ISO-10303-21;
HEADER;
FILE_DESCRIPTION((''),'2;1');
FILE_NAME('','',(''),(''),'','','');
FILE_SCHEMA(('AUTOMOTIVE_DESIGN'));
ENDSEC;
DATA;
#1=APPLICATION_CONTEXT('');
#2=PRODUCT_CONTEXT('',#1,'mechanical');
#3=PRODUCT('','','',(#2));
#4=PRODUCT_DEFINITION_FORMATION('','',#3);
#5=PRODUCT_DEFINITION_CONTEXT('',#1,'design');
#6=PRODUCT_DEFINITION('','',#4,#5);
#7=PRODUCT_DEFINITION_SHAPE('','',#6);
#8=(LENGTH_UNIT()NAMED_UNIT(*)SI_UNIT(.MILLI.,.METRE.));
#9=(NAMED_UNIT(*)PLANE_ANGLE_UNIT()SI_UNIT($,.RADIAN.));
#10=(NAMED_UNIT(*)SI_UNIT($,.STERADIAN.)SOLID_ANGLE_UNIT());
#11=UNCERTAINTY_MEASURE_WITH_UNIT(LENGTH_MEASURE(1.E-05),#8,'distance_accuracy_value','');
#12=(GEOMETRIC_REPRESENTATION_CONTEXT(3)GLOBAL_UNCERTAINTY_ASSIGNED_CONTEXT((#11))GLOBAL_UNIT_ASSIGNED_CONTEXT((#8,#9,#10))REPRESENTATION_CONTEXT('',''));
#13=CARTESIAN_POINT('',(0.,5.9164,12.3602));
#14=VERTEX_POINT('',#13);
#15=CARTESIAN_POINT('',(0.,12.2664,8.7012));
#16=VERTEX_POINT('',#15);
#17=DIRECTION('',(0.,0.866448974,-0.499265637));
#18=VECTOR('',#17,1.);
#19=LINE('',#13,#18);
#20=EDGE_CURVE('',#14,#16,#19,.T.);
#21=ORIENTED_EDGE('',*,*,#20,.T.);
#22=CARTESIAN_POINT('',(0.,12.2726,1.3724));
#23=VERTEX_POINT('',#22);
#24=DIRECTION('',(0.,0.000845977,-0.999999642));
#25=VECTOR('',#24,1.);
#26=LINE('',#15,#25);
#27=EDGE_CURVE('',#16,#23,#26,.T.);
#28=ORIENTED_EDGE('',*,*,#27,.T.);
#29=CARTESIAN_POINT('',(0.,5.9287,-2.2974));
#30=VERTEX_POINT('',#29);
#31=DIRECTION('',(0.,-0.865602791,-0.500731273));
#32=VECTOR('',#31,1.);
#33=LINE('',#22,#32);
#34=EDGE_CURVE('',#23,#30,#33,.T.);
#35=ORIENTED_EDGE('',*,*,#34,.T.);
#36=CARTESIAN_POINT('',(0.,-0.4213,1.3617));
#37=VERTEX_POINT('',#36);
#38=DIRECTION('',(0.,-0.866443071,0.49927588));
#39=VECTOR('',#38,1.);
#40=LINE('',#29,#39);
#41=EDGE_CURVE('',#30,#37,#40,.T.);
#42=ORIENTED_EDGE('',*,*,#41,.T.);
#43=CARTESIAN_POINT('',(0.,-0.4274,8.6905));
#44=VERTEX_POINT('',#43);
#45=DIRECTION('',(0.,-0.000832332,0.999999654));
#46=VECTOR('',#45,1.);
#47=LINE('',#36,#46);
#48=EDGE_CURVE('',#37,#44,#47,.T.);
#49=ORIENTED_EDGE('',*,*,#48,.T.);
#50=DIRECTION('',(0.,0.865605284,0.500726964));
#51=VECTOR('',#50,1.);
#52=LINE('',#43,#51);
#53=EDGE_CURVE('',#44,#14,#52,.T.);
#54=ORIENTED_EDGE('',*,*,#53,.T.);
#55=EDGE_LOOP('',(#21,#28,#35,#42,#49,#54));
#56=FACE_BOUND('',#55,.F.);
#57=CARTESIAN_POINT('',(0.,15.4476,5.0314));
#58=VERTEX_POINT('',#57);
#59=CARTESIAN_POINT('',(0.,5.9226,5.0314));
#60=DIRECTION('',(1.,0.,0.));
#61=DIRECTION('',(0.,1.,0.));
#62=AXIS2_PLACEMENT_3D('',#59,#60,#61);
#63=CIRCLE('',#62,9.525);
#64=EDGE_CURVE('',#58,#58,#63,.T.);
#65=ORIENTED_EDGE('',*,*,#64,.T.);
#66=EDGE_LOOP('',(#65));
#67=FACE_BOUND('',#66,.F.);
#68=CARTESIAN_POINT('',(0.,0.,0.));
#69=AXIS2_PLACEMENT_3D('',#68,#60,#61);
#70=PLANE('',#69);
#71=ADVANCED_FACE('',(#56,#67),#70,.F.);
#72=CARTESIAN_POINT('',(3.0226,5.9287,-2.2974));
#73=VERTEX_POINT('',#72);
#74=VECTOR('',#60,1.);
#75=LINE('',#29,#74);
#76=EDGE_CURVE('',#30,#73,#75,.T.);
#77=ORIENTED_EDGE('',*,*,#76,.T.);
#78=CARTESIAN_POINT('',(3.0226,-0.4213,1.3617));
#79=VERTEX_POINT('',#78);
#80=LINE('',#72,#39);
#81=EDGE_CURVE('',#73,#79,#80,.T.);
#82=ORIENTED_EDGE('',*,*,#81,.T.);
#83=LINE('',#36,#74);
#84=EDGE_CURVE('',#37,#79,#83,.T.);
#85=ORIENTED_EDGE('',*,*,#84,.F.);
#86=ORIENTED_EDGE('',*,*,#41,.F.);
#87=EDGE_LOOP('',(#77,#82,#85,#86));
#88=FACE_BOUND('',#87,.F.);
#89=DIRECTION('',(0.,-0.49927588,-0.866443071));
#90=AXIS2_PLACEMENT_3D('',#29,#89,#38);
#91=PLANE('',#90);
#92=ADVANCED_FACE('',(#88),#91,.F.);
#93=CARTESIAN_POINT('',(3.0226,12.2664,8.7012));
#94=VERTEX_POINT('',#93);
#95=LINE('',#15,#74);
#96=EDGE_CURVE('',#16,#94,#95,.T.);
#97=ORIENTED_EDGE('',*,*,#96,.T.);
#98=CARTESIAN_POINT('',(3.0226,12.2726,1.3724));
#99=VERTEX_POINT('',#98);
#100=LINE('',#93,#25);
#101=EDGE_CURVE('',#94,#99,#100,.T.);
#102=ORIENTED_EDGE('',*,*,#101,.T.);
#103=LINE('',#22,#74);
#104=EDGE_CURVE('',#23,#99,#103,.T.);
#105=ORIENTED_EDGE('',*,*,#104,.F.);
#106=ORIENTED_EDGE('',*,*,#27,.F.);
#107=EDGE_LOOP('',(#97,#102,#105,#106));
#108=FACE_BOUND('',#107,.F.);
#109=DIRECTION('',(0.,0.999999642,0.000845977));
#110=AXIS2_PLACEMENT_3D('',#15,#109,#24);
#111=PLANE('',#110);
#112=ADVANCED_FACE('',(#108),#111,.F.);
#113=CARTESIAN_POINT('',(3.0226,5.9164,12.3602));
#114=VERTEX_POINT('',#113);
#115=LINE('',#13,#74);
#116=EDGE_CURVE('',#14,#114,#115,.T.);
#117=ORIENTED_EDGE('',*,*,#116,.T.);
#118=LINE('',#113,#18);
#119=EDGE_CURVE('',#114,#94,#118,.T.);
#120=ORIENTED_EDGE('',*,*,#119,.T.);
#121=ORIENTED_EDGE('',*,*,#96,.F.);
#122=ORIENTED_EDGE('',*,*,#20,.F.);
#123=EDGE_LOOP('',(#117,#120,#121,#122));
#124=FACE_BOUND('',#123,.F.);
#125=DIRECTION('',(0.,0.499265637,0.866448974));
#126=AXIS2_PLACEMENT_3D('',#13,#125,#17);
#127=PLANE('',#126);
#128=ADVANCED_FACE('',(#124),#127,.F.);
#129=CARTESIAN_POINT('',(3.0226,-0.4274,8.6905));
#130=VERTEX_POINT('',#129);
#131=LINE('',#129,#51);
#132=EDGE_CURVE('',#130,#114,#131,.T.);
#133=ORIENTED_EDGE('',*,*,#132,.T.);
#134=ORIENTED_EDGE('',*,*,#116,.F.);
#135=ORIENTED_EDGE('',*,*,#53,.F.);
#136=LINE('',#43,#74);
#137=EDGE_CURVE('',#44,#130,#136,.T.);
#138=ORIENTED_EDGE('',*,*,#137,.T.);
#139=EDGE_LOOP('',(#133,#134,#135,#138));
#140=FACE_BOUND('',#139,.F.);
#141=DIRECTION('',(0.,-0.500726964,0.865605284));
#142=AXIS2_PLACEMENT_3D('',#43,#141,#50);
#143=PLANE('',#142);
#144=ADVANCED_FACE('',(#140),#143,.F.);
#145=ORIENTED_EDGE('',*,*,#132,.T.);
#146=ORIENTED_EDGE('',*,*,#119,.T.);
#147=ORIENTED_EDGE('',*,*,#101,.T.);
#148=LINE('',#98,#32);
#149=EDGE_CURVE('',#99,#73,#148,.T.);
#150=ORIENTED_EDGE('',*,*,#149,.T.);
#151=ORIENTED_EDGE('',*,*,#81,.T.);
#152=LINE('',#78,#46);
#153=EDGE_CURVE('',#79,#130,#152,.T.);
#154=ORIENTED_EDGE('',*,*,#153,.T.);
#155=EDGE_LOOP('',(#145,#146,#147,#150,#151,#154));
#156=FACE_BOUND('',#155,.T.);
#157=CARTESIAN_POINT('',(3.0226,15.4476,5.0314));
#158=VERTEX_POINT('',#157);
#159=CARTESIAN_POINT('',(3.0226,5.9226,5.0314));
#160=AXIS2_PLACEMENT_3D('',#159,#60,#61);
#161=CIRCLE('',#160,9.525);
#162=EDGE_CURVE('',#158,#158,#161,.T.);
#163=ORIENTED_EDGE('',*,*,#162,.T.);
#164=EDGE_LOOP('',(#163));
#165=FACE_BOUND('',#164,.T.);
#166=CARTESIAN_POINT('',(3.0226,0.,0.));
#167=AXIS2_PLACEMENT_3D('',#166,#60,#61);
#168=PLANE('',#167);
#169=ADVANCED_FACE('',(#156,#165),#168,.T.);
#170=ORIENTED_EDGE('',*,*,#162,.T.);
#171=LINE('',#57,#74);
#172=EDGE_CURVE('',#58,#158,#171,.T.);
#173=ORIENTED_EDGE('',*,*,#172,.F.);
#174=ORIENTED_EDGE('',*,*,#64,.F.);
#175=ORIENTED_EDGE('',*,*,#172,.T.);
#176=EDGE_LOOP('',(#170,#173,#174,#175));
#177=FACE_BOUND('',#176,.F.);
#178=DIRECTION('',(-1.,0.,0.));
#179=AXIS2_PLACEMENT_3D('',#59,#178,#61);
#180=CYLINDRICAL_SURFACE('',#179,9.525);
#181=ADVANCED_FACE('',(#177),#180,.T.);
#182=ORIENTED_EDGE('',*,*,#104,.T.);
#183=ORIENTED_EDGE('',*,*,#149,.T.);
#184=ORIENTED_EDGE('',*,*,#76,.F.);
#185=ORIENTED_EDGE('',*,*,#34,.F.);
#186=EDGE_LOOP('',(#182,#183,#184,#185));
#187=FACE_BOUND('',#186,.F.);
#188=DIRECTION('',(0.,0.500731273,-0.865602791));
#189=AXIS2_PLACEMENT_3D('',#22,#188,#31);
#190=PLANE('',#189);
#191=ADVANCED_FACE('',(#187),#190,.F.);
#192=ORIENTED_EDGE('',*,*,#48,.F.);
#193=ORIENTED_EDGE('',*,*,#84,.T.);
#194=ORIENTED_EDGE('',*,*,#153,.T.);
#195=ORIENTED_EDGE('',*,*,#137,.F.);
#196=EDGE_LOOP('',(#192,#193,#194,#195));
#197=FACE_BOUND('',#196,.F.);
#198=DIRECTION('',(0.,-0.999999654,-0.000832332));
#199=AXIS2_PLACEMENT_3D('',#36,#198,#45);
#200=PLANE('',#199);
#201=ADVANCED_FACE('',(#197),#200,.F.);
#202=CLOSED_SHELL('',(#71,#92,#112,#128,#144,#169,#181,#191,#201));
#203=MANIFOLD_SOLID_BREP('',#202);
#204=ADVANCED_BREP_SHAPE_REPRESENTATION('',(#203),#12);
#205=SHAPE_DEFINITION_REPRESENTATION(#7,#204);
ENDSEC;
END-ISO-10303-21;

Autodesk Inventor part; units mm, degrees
ref_plane "YZ Plane" through (0, 0, 0) normal (1, 0, 0) x (0, 1, 0)
ref_plane "XZ Plane" through (0, 0, 0) normal (0, 1, 0) x (-1, 0, 0)
ref_plane "XY Plane" through (0, 0, 0) normal (0, 0, 1) x (1, 0, 0)
sketch "Sketch1" plane through (0, 0, 0) normal (1, 0, 0) x (0, 1, 0)
  circle A0 centre (5.9226, 5.0314) radius 9.525
  line L0 (5.9226, 5.0314) -> (12.2726, 5.0314) construction
  line L1 (12.2726, 1.3724) -> (5.9287, -2.2974)
  line L2 (5.9287, -2.2974) -> (-0.4213, 1.3617)
  line L3 (-0.4213, 1.3617) -> (-0.4274, 8.6905)
  line L4 (-0.4274, 8.6905) -> (5.9164, 12.3602)
  line L5 (5.9164, 12.3602) -> (12.2664, 8.7012)
  line L6 (12.2664, 8.7012) -> (12.2726, 1.3724)
  point P0 (0, 0)
  dimension "d0" = 19.05
extrude "Extrusion1" add sketch "Sketch1" along normal blind 3.0226
properties part number "3D Model Spacer"
